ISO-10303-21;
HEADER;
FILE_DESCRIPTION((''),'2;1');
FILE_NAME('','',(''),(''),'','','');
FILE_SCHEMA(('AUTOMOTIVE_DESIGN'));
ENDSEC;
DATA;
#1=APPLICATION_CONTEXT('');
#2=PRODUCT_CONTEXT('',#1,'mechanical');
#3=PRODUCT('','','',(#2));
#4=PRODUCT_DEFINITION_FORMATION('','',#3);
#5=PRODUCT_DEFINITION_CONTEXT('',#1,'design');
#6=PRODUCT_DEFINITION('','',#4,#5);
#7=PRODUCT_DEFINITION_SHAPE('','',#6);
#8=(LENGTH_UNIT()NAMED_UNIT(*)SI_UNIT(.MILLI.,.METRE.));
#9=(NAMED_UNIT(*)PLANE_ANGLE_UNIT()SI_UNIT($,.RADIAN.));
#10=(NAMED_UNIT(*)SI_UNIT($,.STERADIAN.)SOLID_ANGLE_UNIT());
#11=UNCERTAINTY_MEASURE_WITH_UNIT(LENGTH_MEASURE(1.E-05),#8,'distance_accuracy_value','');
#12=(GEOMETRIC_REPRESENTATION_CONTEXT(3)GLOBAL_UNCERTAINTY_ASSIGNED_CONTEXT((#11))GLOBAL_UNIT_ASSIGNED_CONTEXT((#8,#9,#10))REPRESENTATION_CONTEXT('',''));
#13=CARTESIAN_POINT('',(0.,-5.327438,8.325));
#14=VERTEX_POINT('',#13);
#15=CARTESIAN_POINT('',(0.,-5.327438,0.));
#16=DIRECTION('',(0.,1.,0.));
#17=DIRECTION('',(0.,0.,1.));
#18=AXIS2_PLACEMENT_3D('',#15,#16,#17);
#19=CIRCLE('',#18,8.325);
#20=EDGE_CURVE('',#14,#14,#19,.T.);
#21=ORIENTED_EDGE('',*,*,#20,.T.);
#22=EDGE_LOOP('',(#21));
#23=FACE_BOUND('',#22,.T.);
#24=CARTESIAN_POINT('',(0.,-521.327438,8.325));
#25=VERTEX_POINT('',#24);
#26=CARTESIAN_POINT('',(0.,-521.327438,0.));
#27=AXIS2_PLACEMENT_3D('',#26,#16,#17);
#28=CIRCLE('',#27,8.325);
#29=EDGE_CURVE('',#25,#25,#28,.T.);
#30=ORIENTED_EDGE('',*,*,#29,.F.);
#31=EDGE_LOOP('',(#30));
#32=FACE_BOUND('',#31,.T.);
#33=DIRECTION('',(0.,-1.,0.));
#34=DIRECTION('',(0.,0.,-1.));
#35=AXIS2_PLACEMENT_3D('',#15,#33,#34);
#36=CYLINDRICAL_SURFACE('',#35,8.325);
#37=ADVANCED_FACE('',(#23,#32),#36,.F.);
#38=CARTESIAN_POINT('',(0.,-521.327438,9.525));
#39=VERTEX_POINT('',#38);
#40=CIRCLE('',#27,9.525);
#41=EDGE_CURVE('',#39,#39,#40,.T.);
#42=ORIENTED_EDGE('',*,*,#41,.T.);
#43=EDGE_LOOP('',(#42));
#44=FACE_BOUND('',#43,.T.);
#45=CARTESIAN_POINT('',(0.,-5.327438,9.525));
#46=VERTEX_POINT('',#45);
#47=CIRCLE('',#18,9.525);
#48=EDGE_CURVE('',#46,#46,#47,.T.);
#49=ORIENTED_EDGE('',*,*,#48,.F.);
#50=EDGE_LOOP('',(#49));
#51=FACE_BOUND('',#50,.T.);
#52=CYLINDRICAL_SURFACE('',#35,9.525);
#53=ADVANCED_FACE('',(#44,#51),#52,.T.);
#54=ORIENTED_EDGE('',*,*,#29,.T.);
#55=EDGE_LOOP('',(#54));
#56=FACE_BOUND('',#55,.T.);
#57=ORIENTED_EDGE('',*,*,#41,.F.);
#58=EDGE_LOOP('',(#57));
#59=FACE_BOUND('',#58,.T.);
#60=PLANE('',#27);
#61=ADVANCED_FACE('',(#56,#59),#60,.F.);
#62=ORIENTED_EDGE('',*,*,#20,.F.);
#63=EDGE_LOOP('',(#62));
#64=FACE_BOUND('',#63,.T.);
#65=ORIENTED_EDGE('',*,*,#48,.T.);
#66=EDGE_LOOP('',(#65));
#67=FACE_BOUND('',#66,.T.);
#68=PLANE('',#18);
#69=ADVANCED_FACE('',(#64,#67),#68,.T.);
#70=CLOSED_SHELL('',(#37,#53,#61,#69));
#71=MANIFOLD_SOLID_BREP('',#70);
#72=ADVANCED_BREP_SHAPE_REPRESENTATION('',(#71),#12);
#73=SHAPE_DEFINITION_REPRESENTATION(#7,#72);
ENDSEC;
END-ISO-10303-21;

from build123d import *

# Parameters (mm, degrees)
SKETCH1_R      = 9.525
SKETCH1_R_2    = 8.325
EXTRUDE1_DEPTH = 516


with BuildPart() as part:
    # Sketch1 → Extrude1 (new body)
    with BuildSketch(Plane(origin=(0, -521.327437838, 0), x_dir=(1, 0, 0), z_dir=(0, 1, 0))):
        Circle(SKETCH1_R)
        Circle(SKETCH1_R_2, mode=Mode.SUBTRACT)
    extrude(amount=EXTRUDE1_DEPTH)


solid = part.part
